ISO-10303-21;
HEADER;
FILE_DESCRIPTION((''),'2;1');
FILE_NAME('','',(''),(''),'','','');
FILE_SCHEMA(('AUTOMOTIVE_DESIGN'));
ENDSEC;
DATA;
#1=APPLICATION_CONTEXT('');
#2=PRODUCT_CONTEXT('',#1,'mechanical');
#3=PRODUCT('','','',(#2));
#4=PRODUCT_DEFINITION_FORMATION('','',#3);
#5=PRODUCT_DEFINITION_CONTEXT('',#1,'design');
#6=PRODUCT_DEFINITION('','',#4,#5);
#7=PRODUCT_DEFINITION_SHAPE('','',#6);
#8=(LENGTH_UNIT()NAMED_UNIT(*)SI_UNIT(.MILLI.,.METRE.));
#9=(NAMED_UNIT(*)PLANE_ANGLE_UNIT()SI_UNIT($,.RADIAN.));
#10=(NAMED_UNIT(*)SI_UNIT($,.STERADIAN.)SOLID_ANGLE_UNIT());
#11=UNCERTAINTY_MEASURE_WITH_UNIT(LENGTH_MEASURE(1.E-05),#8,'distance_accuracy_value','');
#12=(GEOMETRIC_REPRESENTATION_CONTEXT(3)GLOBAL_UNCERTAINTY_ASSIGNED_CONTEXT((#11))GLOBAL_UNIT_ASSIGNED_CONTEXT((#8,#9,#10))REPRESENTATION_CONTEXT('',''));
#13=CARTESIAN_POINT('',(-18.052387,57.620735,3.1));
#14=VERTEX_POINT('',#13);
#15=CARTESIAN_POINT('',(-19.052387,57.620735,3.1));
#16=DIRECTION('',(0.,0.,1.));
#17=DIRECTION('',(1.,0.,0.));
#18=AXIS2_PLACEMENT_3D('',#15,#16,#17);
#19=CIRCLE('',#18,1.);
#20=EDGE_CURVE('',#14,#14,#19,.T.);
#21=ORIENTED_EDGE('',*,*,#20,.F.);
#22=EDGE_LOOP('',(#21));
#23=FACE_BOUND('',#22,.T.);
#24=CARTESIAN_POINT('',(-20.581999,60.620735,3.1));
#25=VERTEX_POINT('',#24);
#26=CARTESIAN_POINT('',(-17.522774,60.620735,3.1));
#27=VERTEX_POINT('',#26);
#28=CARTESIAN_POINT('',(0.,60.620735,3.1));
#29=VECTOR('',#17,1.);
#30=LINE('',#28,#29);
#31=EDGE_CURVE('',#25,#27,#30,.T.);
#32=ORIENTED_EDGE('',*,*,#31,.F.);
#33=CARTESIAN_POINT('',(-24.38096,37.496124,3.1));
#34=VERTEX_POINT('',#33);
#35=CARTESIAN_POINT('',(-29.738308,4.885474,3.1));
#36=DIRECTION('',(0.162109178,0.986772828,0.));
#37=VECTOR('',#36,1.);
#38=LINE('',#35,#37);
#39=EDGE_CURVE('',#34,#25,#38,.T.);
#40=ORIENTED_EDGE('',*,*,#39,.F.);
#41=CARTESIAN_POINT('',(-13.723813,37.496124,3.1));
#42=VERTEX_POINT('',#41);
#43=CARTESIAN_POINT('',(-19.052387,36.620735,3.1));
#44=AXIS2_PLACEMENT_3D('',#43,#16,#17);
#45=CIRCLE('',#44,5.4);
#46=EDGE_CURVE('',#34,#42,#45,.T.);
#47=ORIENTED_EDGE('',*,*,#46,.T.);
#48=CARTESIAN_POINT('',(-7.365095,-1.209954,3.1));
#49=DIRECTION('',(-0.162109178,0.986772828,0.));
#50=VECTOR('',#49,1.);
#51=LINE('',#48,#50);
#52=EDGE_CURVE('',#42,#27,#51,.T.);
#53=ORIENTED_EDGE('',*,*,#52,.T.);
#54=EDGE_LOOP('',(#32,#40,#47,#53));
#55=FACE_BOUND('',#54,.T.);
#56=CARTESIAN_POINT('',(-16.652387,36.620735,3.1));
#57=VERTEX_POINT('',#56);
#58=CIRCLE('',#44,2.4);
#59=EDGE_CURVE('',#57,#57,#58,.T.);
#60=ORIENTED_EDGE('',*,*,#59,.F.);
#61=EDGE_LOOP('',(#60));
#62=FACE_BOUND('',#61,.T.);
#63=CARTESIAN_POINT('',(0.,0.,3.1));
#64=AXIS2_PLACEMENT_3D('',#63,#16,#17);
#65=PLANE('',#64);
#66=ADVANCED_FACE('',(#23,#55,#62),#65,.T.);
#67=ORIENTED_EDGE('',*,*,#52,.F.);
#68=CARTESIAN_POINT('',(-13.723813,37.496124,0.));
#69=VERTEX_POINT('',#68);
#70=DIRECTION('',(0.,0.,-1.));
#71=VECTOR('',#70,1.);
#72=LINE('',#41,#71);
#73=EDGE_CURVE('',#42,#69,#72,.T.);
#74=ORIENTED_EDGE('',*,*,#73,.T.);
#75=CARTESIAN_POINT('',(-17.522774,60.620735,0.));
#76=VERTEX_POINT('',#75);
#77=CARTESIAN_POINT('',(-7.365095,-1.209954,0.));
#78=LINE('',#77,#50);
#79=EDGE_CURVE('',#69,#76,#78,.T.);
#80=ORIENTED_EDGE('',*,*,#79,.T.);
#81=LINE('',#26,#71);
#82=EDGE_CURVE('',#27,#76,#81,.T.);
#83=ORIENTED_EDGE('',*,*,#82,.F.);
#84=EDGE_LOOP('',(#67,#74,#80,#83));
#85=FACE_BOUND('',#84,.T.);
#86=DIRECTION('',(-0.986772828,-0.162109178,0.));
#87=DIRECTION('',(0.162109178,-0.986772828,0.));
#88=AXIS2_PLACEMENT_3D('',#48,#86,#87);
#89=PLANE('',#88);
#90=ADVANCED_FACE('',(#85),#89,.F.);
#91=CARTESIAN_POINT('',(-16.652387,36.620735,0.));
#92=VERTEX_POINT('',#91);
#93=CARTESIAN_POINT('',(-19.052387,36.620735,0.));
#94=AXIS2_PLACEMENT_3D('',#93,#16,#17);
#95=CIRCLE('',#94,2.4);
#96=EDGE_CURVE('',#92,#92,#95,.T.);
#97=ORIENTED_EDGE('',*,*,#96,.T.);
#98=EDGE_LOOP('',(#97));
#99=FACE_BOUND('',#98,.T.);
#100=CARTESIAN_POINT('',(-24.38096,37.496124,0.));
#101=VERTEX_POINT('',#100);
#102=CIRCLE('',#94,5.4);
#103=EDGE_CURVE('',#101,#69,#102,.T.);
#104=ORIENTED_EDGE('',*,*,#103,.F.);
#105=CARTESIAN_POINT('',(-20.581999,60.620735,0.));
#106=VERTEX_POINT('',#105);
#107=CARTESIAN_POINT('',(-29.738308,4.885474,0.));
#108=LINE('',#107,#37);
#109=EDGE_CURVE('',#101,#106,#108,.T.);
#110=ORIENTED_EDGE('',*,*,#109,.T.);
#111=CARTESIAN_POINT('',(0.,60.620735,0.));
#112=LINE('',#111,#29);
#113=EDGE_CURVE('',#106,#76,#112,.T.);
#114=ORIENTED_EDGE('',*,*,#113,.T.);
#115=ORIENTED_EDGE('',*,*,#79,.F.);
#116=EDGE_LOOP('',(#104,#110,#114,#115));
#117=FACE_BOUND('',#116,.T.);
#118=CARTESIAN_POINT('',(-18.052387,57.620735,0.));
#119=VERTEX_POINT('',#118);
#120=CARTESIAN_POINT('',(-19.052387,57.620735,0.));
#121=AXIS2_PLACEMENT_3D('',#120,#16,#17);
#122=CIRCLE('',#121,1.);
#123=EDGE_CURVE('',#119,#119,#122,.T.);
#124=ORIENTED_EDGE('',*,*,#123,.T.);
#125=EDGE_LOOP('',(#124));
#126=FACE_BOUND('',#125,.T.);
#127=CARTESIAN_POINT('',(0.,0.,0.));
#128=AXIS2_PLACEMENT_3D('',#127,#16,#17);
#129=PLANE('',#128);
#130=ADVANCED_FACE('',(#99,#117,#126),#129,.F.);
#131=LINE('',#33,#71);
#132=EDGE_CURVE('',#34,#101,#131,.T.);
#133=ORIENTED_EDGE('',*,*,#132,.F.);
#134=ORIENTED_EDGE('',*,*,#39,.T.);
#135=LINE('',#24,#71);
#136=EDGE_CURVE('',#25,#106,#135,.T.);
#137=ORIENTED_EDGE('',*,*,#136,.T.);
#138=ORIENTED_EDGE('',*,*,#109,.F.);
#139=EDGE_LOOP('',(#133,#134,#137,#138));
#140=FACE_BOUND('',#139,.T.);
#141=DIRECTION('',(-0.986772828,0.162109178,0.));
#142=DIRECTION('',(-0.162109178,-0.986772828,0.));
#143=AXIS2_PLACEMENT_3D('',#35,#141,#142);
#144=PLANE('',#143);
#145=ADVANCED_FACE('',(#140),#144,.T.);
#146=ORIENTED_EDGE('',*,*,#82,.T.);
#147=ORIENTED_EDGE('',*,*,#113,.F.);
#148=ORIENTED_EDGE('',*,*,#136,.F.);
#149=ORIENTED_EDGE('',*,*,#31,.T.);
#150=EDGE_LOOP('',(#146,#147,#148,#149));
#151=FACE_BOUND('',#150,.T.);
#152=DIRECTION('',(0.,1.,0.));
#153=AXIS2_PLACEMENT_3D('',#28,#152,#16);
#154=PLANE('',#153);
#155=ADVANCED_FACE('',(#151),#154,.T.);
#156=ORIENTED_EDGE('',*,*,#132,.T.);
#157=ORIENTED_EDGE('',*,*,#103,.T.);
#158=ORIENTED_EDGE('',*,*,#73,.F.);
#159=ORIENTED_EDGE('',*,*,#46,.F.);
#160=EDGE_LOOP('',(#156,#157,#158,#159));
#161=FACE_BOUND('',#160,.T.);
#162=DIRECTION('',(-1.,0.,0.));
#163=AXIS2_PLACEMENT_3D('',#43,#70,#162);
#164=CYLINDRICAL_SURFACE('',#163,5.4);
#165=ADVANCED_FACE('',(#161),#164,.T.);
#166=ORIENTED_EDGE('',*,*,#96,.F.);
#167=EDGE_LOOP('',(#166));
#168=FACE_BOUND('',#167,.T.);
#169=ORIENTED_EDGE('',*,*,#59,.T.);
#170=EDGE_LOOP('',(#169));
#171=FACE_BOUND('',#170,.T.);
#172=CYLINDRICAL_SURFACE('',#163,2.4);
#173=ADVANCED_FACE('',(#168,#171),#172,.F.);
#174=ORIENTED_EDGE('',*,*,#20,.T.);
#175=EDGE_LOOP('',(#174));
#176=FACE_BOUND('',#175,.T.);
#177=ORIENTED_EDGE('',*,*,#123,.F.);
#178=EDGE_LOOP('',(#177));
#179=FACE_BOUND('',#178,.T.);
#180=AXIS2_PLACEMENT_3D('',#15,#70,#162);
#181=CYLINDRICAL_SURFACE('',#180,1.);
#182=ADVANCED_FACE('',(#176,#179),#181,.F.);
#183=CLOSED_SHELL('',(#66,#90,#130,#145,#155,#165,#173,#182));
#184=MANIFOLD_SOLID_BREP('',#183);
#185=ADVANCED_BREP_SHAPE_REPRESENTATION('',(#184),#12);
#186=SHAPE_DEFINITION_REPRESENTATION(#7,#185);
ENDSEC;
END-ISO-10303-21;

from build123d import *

# Parameters (mm, degrees)
SKETCH1_R           = 2.4
SKETCH1_R_2         = 1
BOSS_EXTRUDE1_DEPTH = 3.1


with BuildPart() as part:
    # Sketch1 → Boss-Extrude1 (new body)
    with BuildSketch(Plane.XY):
        with BuildLine():
            Line((-20.581998731, 60.620734864), (-17.522774409, 60.620734864))
            Line((-17.522774409, 60.620734864), (-13.723813298, 37.496124427))
            ThreePointArc((-13.723813298, 37.496124427), (-19.05238657, 31.220734864), (-24.380959842, 37.496124427))
            Line((-24.380959842, 37.496124427), (-20.581998731, 60.620734864))
        make_face()
        with Locations((-19.05238657, 36.620734864)):
            Circle(SKETCH1_R, mode=Mode.SUBTRACT)
        with Locations((-19.05238657, 57.620734864)):
            Circle(SKETCH1_R_2, mode=Mode.SUBTRACT)
    extrude(amount=BOSS_EXTRUDE1_DEPTH)


solid = part.part
